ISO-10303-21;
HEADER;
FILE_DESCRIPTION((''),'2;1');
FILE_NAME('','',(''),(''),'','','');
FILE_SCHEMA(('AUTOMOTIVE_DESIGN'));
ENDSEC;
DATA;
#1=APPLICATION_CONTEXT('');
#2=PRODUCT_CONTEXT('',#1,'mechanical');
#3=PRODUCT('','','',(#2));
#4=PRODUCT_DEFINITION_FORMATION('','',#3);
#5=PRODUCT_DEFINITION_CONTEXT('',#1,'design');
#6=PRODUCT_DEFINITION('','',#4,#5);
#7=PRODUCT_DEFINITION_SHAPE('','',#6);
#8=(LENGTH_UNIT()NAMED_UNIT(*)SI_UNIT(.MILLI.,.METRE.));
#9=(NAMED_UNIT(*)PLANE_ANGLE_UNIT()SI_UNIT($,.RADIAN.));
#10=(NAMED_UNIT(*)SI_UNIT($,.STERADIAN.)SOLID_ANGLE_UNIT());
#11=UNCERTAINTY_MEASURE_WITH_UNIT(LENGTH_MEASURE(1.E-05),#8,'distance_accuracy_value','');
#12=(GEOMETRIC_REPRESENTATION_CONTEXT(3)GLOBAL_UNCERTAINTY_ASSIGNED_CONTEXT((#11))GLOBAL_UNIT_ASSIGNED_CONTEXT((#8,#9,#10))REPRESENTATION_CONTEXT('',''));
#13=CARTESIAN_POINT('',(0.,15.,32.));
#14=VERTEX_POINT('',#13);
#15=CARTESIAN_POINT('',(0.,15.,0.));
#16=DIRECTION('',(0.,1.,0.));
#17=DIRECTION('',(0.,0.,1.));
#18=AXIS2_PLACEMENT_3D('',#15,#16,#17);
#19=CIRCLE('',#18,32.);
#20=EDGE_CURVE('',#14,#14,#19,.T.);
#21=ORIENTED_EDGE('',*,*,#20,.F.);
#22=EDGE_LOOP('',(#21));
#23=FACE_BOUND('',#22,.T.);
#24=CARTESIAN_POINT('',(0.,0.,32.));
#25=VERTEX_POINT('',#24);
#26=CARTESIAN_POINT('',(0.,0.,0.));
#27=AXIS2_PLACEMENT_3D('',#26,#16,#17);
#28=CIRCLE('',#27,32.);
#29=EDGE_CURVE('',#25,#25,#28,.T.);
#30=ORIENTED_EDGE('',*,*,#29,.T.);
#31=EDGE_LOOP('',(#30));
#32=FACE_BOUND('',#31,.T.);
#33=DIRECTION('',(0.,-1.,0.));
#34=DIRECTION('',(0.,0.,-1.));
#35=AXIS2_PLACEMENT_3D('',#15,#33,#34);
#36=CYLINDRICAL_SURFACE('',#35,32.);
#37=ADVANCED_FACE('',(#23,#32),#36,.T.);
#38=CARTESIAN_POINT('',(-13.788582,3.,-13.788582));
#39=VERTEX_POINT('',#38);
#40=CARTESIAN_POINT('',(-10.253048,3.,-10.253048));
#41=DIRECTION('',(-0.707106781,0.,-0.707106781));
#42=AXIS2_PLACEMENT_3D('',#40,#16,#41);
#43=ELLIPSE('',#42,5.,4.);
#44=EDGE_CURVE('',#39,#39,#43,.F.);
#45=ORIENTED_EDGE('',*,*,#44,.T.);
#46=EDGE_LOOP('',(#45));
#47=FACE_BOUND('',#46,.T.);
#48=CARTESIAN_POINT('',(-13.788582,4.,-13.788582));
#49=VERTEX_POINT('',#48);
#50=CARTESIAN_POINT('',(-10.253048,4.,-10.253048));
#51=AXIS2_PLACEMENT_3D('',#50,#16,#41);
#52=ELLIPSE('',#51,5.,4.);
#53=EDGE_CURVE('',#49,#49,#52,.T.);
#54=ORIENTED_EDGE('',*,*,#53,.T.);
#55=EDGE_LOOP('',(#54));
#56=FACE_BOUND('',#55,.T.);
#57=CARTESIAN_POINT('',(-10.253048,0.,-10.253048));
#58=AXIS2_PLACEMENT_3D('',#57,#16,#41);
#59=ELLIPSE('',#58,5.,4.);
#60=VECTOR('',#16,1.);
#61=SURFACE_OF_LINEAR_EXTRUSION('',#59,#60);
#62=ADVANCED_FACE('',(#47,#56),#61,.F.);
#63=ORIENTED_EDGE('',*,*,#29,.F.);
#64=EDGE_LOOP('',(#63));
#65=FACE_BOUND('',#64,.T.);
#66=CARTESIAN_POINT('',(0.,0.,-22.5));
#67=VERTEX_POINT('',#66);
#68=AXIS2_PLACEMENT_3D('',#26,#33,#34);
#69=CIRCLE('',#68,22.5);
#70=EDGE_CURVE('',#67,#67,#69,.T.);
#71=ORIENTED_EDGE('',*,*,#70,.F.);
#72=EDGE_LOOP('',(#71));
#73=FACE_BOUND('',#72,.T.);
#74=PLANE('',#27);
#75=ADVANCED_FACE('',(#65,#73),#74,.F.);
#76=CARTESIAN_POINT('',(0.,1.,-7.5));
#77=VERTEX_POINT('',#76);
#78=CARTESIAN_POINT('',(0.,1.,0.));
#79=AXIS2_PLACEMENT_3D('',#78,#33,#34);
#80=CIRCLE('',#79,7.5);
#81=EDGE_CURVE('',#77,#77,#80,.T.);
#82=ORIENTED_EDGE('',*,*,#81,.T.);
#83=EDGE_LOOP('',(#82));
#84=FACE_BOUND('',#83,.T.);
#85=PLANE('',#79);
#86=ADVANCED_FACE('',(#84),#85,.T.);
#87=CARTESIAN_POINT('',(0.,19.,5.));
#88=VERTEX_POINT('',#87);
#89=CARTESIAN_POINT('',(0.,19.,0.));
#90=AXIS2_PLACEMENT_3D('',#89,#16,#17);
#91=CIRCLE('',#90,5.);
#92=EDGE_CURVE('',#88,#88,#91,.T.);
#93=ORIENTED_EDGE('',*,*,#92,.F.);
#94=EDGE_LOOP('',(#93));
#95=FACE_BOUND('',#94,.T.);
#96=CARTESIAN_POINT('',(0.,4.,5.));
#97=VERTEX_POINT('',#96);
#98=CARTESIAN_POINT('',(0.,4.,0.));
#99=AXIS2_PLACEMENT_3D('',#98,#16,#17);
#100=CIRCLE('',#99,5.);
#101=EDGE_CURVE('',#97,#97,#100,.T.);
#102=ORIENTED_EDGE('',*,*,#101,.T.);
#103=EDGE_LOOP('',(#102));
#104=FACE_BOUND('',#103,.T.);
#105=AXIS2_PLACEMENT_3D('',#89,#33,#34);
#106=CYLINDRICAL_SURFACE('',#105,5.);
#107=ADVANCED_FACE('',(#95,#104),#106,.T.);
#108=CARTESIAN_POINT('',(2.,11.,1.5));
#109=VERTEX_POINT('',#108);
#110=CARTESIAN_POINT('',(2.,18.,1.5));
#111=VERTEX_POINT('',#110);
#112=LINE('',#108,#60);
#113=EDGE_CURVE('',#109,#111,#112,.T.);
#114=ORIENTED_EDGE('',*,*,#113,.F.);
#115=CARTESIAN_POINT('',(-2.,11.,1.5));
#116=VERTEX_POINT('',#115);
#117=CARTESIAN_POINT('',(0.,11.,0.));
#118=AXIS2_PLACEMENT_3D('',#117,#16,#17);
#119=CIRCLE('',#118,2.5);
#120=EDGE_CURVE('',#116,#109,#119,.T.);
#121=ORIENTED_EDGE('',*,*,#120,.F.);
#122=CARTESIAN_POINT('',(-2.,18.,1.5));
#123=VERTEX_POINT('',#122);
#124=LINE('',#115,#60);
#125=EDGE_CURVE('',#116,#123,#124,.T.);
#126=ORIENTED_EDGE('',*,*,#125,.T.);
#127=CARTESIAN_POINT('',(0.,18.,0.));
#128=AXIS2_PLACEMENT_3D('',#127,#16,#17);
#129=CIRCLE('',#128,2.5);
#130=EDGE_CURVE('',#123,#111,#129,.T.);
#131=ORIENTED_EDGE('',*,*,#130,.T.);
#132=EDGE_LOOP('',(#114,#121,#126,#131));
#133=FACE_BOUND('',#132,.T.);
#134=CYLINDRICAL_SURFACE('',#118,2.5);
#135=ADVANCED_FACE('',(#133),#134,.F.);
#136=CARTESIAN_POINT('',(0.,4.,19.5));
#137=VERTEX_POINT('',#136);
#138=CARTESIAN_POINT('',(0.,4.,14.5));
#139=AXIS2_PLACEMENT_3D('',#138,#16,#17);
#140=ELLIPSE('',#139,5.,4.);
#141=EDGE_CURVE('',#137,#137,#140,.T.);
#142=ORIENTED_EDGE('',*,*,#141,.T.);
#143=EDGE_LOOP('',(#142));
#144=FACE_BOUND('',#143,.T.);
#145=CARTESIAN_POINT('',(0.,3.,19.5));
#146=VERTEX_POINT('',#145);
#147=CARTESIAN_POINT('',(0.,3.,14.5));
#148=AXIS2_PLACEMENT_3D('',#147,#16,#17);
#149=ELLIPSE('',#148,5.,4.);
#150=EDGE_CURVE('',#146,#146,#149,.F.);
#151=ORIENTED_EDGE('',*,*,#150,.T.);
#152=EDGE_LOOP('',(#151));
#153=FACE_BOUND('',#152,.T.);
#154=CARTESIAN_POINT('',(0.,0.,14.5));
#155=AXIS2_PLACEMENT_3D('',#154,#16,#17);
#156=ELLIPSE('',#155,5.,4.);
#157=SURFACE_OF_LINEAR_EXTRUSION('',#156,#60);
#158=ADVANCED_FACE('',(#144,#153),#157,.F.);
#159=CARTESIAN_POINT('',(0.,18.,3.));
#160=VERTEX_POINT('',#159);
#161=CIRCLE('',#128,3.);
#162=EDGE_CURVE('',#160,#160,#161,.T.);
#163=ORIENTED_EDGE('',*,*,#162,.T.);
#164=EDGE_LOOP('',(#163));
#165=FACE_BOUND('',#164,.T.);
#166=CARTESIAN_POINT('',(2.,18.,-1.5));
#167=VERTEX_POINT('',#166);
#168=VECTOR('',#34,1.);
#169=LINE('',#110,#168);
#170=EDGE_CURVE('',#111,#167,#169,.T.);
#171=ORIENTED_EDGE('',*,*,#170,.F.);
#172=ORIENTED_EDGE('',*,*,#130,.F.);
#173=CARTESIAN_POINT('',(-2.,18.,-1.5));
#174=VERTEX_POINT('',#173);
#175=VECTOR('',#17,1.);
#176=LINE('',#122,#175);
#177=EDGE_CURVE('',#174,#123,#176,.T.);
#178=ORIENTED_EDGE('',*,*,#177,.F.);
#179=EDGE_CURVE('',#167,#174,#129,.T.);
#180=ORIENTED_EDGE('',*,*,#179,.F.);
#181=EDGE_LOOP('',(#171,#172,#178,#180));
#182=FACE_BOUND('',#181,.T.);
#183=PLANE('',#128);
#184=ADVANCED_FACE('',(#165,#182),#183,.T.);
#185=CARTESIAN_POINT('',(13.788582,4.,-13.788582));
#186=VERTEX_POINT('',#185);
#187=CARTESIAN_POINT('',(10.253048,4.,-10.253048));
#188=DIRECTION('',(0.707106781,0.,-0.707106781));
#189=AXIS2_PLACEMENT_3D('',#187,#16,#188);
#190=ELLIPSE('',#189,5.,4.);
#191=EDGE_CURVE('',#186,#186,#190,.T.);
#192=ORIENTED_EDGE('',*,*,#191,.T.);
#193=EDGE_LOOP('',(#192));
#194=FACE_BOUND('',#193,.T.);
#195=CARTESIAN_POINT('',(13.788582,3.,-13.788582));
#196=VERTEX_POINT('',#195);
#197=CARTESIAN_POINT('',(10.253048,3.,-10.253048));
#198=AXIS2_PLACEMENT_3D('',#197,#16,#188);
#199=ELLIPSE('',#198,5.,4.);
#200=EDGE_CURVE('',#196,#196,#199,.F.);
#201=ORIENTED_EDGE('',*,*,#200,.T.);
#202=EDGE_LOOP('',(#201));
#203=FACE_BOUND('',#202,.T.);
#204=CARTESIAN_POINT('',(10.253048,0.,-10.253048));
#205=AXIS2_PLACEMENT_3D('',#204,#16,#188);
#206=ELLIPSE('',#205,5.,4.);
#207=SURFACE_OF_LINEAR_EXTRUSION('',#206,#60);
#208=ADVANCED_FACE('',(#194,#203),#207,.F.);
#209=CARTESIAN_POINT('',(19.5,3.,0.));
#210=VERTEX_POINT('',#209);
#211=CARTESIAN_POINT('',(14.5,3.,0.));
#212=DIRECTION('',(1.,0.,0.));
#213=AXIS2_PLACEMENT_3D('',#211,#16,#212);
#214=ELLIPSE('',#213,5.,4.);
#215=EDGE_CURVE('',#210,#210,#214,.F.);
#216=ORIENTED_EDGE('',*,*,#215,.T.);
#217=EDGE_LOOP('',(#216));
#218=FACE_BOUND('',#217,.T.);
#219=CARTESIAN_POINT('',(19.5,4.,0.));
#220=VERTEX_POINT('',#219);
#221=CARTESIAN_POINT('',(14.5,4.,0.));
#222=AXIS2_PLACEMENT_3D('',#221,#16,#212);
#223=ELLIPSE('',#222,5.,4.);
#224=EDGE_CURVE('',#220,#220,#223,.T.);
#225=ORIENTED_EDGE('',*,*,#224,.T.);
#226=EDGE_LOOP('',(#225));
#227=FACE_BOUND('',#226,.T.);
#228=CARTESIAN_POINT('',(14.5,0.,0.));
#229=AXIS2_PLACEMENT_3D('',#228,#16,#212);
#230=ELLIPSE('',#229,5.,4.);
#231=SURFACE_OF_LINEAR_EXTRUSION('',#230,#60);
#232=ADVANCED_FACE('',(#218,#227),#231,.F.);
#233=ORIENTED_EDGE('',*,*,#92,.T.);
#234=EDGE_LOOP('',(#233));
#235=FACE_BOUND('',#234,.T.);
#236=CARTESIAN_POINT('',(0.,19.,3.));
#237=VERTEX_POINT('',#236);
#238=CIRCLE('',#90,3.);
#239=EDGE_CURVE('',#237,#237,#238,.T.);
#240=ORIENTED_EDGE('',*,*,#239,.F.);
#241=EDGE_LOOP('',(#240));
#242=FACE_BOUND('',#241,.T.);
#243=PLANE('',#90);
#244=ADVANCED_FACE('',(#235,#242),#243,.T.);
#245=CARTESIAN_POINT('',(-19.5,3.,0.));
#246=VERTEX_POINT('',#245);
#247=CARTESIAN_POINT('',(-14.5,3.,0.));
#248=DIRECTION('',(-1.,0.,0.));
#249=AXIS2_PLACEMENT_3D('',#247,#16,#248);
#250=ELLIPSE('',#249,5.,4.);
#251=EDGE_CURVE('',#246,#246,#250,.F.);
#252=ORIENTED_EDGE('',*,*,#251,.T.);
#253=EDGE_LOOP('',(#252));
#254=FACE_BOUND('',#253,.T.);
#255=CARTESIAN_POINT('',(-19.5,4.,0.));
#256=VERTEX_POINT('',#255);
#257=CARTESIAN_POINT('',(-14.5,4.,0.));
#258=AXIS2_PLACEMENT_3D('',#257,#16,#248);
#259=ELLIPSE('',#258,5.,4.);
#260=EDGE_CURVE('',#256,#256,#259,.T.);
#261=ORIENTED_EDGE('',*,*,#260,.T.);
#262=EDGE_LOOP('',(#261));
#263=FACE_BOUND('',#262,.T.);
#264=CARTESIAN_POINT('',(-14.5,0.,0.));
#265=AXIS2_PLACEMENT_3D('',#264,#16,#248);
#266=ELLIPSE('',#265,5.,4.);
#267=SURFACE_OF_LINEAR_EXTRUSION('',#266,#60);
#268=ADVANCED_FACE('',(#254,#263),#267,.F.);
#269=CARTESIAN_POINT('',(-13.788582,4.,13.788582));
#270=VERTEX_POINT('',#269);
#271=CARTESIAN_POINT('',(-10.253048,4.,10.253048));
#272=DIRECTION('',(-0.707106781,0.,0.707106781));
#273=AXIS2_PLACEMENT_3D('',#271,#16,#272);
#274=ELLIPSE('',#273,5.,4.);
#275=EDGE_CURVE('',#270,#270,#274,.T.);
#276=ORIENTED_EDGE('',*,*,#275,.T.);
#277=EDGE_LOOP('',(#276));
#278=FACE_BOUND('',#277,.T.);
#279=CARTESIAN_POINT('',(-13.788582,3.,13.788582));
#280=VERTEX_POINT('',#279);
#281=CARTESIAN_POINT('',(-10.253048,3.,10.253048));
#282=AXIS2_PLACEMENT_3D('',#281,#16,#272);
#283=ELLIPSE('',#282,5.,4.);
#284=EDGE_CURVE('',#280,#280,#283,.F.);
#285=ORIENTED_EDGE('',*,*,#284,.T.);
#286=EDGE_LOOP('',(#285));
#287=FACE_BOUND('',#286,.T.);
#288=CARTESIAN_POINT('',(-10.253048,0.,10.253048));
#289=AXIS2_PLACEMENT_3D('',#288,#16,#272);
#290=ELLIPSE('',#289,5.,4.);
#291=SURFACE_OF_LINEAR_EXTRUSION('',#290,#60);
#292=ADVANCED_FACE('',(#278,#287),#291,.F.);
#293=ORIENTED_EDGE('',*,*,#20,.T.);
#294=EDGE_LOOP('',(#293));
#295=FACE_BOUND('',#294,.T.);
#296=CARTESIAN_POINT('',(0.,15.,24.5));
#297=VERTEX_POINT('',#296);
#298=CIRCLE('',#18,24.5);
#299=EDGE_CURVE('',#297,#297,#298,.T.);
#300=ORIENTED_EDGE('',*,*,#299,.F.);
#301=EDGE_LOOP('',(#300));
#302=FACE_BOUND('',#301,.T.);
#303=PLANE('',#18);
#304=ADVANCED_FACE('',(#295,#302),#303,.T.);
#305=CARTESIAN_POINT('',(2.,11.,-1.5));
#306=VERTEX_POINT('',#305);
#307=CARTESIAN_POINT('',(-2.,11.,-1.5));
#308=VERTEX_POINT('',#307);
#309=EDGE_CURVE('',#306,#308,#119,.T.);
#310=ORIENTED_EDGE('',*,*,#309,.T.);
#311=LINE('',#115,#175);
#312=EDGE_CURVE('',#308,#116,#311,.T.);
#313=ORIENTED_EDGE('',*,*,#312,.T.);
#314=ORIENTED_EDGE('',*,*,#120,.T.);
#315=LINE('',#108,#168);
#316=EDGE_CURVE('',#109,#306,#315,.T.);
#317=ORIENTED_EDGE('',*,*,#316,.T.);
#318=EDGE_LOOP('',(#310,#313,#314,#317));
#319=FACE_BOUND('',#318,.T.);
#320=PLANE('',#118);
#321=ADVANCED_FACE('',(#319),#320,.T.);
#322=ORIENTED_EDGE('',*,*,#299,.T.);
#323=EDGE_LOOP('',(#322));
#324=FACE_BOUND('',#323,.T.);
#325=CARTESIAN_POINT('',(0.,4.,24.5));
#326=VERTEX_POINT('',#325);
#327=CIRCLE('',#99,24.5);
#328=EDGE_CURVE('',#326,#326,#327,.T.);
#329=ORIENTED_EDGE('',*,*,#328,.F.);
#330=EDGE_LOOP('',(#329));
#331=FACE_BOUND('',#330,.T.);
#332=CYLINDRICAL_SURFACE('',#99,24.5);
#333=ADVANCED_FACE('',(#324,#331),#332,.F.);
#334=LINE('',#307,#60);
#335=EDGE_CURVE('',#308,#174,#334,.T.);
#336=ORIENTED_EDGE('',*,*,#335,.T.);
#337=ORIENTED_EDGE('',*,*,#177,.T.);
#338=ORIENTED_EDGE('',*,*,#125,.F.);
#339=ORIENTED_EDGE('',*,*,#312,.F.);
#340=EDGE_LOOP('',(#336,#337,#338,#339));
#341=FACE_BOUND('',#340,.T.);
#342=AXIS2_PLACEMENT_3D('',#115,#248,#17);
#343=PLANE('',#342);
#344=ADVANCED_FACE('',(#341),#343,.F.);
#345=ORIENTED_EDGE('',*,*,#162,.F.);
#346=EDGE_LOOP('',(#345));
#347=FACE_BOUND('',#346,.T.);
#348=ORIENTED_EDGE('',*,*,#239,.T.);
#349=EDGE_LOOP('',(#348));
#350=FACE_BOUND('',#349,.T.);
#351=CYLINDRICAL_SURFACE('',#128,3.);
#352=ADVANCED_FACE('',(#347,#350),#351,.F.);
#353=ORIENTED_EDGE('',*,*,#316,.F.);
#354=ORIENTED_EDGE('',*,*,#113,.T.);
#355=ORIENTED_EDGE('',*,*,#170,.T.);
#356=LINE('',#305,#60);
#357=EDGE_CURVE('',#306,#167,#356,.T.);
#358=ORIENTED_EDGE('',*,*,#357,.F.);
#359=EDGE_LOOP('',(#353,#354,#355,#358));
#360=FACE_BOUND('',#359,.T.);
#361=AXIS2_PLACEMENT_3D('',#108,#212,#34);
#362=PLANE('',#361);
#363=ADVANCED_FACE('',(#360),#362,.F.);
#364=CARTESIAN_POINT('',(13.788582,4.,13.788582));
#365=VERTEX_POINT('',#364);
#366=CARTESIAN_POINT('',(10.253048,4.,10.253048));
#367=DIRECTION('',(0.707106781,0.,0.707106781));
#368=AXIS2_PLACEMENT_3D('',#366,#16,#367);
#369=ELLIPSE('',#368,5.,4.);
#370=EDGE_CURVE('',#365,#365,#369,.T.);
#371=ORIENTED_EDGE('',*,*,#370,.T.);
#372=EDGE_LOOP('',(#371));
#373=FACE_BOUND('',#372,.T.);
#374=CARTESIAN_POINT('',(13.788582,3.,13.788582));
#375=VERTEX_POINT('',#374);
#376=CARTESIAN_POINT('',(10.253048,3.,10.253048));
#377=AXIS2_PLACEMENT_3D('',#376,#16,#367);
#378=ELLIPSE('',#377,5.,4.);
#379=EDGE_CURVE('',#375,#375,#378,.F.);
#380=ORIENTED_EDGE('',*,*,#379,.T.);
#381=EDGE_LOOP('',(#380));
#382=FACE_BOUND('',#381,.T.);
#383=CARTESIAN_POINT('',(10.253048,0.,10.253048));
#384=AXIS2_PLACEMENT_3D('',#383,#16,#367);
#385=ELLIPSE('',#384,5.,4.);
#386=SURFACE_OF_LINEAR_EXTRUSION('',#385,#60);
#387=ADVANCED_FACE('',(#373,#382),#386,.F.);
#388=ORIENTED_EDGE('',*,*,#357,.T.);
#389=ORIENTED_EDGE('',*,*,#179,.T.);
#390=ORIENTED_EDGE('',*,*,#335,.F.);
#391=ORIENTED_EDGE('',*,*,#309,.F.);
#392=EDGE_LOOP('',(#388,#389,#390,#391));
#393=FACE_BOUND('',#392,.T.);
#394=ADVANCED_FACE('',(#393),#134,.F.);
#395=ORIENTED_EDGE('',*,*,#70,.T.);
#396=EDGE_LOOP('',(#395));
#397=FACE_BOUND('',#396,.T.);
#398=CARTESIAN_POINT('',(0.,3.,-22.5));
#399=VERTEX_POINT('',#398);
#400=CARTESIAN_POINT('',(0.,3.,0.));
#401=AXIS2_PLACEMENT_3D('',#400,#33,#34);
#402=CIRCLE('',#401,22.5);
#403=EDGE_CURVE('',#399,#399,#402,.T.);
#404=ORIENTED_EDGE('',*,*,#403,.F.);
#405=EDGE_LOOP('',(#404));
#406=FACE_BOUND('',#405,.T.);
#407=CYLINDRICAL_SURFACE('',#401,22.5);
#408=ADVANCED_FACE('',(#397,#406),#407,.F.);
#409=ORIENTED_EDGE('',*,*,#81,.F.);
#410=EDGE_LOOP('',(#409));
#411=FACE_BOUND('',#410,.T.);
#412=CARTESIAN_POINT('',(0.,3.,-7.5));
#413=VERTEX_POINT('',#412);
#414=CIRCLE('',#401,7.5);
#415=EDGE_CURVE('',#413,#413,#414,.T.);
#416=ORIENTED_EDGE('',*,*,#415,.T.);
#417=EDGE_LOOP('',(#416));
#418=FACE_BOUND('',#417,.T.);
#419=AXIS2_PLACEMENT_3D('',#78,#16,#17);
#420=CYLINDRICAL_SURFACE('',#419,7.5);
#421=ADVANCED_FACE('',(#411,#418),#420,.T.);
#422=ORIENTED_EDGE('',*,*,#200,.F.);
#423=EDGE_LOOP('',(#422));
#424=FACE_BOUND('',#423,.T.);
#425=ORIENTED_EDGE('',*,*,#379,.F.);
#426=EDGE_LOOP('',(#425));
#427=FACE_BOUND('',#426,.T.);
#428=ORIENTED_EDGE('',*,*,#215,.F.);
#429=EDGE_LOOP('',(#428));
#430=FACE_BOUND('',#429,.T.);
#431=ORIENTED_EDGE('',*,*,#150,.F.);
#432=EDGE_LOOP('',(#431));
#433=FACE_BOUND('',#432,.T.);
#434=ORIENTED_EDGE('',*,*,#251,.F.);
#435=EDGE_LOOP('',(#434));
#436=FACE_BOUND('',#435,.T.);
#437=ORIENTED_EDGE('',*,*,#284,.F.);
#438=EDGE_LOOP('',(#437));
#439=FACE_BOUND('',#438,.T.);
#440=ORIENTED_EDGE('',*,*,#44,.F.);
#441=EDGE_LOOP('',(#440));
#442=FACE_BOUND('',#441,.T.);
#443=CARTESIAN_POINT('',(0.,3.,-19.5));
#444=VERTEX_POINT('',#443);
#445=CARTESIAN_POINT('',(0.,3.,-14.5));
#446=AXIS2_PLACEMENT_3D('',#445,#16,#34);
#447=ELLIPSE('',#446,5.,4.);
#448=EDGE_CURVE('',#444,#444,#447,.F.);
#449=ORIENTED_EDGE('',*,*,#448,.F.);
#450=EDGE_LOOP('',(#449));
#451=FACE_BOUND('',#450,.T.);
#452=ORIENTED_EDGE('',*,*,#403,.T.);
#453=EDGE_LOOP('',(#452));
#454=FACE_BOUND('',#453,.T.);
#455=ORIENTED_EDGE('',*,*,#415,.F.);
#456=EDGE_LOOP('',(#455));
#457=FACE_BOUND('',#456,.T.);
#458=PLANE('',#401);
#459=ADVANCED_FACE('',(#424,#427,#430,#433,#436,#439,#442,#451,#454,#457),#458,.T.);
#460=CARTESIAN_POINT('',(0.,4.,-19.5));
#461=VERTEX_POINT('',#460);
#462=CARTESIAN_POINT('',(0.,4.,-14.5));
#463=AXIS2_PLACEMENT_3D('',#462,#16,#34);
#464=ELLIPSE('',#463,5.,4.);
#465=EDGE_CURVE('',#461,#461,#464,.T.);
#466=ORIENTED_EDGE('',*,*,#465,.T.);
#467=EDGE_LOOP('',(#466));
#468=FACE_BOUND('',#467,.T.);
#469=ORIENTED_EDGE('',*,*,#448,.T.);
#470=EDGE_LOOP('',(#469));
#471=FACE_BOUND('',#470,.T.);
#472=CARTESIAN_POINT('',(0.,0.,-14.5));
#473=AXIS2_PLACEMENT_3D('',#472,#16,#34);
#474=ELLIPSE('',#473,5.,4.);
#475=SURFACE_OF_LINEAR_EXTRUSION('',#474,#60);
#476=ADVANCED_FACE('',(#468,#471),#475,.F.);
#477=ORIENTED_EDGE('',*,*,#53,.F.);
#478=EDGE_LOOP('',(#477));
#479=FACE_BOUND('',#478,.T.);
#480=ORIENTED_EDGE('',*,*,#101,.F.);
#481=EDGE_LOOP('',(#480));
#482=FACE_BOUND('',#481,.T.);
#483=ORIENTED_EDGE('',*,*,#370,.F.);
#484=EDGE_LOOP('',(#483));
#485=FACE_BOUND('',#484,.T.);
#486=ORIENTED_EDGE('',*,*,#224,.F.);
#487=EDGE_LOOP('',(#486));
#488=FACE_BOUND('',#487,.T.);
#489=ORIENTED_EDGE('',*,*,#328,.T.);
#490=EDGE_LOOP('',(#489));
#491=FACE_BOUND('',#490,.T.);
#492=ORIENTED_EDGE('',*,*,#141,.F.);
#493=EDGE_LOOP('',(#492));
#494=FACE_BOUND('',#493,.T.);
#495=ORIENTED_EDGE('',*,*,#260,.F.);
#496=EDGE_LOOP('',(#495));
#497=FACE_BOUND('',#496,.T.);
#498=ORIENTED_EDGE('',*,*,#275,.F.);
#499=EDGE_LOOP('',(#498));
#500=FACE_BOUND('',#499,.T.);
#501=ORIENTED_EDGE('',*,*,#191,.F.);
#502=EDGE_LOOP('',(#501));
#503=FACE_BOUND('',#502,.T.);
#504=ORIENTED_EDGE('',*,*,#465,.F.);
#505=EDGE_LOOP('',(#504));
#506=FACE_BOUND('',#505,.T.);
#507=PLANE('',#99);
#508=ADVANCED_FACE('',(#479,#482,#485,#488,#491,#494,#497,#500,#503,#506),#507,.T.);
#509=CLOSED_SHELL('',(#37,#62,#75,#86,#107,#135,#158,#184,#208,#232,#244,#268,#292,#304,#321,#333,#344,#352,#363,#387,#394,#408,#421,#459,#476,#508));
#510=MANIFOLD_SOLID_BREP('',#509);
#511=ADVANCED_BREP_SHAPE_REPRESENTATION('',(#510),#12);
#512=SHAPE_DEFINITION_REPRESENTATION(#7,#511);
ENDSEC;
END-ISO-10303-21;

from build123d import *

# Parameters (mm, degrees)
SKETCH1_R           = 32
BOSS_EXTRUDE1_DEPTH = 15
SKETCH2_R           = 22.5
CUT_EXTRUDE1_DEPTH  = 3
SKETCH3_R           = 7.5
BOSS_EXTRUDE2_DEPTH = 2
SKETCH4_R           = 24.5
CUT_EXTRUDE2_DEPTH  = 11
SKETCH5_R           = 5
BOSS_EXTRUDE3_DEPTH = 15
SKETCH6_RX          = 5
SKETCH6_RY          = 4
CUT_EXTRUDE3_DEPTH  = 48.675989764
SKETCH7_R           = 3
CUT_EXTRUDE4_DEPTH  = 1
CUT_EXTRUDE5_DEPTH  = 7


with BuildPart() as part:
    # Sketch1 → Boss-Extrude1 (new body)
    with BuildSketch(Plane(origin=(0, 0, 0), x_dir=(1, 0, 0), z_dir=(0, 1, 0))):
        with Locations(Location((0, 0, 0), (0, 0, 270))):
            Circle(SKETCH1_R)
    extrude(amount=BOSS_EXTRUDE1_DEPTH)

    # Sketch2 → Cut-Extrude1 (cut)
    with BuildSketch(Plane.XZ):
        with Locations(Location((0, 0, 0), (0, 0, 270))):
            Circle(SKETCH2_R)
    extrude(amount=-CUT_EXTRUDE1_DEPTH, mode=Mode.SUBTRACT)

    # Sketch3 → Boss-Extrude2 (add)
    with BuildSketch(Plane.XZ.offset(-3)):
        with Locations(Location((0, 0, 0), (0, 0, 270))):
            Circle(SKETCH3_R)
    extrude(amount=BOSS_EXTRUDE2_DEPTH)

    # Sketch4 → Cut-Extrude2 (cut)
    with BuildSketch(Plane(origin=(0, 15, 0), x_dir=(1, 0, 0), z_dir=(0, 1, 0))):
        with Locations(Location((0, 0, 0), (0, 0, 270))):
            Circle(SKETCH4_R)
    extrude(amount=-CUT_EXTRUDE2_DEPTH, mode=Mode.SUBTRACT)

    # Sketch5 → Boss-Extrude3 (add)
    with BuildSketch(Plane(origin=(0, 4, 0), x_dir=(1, 0, 0), z_dir=(0, 1, 0))):
        with Locations(Location((0, 0, 0), (0, 0, 270))):
            Circle(SKETCH5_R)
    extrude(amount=BOSS_EXTRUDE3_DEPTH)

    # Sketch6 → Cut-Extrude3 (cut, through all)
    with BuildSketch(Plane(origin=(0, 4, 0), x_dir=(1, 0, 0), z_dir=(0, 1, 0))):
        with Locations(Location((0, -14.5), (0, 0, -90))):
            Ellipse(SKETCH6_RX, SKETCH6_RY)
        with Locations(Location((-10.253048327, -10.253048327), (0, 0, -135))):
            Ellipse(SKETCH6_RX, SKETCH6_RY)
        with Locations(Location((-14.5, 0), (0, 0, 180))):
            Ellipse(SKETCH6_RX, SKETCH6_RY)
        with Locations(Location((-10.253048327, 10.253048327), (0, 0, 135))):
            Ellipse(SKETCH6_RX, SKETCH6_RY)
        with Locations(Location((0, 14.5), (0, 0, 90))):
            Ellipse(SKETCH6_RX, SKETCH6_RY)
        with Locations(Location((10.253048327, 10.253048327), (0, 0, -135))):
            Ellipse(SKETCH6_RX, SKETCH6_RY)
        with Locations(Location((14.5, 0), (0, 0, 0))):
            Ellipse(SKETCH6_RX, SKETCH6_RY)
        with Locations(Location((10.253048327, -10.253048327), (0, 0, -45))):
            Ellipse(SKETCH6_RX, SKETCH6_RY)
    extrude(amount=-CUT_EXTRUDE3_DEPTH, mode=Mode.SUBTRACT)

    # Sketch7 → Cut-Extrude4 (cut)
    with BuildSketch(Plane(origin=(0, 19, 0), x_dir=(1, 0, 0), z_dir=(0, 1, 0))):
        with Locations(Location((0, 0, 0), (0, 0, 270))):
            Circle(SKETCH7_R)
    extrude(amount=-CUT_EXTRUDE4_DEPTH, mode=Mode.SUBTRACT)

    # Sketch8 → Cut-Extrude5 (cut)
    with BuildSketch(Plane(origin=(0, 18, 0), x_dir=(1, 0, 0), z_dir=(0, 1, 0))):
        with BuildLine():
            Line((2, -1.5), (2, 1.5))
            ThreePointArc((2, 1.5), (0, 2.5), (-2, 1.5))
            Line((-2, 1.5), (-2, -1.5))
            ThreePointArc((-2, -1.5), (0, -2.5), (2, -1.5))
        make_face()
    extrude(amount=-CUT_EXTRUDE5_DEPTH, mode=Mode.SUBTRACT)


solid = part.part
